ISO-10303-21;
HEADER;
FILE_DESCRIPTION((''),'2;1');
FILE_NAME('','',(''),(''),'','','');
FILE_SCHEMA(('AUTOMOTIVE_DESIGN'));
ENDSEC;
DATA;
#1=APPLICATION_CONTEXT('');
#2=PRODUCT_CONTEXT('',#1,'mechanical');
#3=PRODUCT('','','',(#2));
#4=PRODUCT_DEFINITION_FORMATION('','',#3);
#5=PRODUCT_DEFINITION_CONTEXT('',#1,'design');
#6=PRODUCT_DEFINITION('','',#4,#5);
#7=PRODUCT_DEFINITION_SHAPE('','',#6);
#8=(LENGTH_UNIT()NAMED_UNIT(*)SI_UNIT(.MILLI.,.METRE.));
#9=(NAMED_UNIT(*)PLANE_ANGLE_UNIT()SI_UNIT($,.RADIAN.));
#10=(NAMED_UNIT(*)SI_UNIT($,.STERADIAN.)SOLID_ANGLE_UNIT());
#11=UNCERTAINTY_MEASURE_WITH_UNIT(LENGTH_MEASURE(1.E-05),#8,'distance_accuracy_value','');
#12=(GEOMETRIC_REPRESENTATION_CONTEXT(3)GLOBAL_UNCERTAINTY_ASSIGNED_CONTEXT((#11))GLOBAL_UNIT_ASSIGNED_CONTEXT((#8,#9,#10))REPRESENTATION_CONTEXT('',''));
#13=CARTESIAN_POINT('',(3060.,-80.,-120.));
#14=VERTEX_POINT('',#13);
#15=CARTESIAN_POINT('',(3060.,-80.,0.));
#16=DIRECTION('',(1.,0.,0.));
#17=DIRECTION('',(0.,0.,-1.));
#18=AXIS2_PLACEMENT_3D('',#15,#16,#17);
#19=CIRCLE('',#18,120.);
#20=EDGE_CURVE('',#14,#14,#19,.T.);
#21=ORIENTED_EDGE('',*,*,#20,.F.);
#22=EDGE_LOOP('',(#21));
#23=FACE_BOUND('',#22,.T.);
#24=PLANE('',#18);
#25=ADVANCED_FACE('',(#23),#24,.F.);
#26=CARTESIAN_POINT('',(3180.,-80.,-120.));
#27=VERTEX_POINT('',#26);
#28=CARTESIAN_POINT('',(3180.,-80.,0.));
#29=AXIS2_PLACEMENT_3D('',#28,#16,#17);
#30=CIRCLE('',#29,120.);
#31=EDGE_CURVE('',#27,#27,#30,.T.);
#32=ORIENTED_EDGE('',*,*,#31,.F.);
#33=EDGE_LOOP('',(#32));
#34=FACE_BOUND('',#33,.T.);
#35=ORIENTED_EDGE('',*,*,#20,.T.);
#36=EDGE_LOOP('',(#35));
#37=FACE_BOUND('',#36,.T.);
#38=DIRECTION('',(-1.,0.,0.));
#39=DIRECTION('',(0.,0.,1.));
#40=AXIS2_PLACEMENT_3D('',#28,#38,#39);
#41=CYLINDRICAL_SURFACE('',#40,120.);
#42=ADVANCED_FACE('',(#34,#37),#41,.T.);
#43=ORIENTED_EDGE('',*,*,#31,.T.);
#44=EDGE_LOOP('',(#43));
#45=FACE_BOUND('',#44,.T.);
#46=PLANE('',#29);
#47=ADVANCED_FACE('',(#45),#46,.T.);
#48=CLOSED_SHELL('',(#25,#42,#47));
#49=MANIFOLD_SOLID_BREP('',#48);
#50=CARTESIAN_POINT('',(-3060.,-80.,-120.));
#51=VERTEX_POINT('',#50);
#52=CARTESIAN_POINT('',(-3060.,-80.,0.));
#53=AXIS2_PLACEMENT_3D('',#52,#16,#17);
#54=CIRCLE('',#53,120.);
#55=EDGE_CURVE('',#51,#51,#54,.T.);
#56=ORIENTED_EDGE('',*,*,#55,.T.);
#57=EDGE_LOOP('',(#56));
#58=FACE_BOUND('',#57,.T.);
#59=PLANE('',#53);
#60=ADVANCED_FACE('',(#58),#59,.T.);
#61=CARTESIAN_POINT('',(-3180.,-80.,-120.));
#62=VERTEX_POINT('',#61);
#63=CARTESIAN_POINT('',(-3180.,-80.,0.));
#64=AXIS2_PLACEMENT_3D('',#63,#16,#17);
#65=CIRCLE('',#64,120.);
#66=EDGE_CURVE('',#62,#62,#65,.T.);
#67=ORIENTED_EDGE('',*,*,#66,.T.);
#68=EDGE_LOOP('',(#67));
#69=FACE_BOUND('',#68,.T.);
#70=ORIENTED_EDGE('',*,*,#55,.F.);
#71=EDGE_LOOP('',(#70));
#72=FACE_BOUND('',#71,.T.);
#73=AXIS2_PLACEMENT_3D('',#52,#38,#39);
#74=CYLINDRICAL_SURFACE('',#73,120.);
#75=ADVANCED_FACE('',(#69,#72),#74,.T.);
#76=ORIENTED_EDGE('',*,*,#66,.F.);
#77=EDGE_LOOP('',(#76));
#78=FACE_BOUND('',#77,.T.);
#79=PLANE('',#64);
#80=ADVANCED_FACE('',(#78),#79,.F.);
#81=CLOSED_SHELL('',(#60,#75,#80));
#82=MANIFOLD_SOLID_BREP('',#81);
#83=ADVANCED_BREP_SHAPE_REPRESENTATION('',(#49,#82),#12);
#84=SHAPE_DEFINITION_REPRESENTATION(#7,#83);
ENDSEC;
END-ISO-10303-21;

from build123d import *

# Parameters (mm, degrees)
BOSS_EXTRUDE1_START = -3180
SKETCH1_R           = 120
BOSS_EXTRUDE1_DEPTH = 120
BOSS_EXTRUDE2_START = 3060
SKETCH2_R           = 120
BOSS_EXTRUDE2_DEPTH = 120


with BuildPart() as part:
    # Sketch1 → Boss-Extrude1 (new body)
    with BuildSketch(Plane(origin=(0, 0, 0), x_dir=(0, 0, -1), z_dir=(1, 0, 0)).offset(BOSS_EXTRUDE1_START)):
        with Locations((0, -80)):
            Circle(SKETCH1_R)
    extrude(amount=BOSS_EXTRUDE1_DEPTH)


with BuildPart() as body_2:
    # Sketch2 → Boss-Extrude2 (new body)
    with BuildSketch(Plane(origin=(0, 0, 0), x_dir=(0, 0, -1), z_dir=(1, 0, 0)).offset(BOSS_EXTRUDE2_START)):
        with Locations((0, -80)):
            Circle(SKETCH2_R)
    extrude(amount=BOSS_EXTRUDE2_DEPTH)


solid = Compound([part.part, body_2.part])
